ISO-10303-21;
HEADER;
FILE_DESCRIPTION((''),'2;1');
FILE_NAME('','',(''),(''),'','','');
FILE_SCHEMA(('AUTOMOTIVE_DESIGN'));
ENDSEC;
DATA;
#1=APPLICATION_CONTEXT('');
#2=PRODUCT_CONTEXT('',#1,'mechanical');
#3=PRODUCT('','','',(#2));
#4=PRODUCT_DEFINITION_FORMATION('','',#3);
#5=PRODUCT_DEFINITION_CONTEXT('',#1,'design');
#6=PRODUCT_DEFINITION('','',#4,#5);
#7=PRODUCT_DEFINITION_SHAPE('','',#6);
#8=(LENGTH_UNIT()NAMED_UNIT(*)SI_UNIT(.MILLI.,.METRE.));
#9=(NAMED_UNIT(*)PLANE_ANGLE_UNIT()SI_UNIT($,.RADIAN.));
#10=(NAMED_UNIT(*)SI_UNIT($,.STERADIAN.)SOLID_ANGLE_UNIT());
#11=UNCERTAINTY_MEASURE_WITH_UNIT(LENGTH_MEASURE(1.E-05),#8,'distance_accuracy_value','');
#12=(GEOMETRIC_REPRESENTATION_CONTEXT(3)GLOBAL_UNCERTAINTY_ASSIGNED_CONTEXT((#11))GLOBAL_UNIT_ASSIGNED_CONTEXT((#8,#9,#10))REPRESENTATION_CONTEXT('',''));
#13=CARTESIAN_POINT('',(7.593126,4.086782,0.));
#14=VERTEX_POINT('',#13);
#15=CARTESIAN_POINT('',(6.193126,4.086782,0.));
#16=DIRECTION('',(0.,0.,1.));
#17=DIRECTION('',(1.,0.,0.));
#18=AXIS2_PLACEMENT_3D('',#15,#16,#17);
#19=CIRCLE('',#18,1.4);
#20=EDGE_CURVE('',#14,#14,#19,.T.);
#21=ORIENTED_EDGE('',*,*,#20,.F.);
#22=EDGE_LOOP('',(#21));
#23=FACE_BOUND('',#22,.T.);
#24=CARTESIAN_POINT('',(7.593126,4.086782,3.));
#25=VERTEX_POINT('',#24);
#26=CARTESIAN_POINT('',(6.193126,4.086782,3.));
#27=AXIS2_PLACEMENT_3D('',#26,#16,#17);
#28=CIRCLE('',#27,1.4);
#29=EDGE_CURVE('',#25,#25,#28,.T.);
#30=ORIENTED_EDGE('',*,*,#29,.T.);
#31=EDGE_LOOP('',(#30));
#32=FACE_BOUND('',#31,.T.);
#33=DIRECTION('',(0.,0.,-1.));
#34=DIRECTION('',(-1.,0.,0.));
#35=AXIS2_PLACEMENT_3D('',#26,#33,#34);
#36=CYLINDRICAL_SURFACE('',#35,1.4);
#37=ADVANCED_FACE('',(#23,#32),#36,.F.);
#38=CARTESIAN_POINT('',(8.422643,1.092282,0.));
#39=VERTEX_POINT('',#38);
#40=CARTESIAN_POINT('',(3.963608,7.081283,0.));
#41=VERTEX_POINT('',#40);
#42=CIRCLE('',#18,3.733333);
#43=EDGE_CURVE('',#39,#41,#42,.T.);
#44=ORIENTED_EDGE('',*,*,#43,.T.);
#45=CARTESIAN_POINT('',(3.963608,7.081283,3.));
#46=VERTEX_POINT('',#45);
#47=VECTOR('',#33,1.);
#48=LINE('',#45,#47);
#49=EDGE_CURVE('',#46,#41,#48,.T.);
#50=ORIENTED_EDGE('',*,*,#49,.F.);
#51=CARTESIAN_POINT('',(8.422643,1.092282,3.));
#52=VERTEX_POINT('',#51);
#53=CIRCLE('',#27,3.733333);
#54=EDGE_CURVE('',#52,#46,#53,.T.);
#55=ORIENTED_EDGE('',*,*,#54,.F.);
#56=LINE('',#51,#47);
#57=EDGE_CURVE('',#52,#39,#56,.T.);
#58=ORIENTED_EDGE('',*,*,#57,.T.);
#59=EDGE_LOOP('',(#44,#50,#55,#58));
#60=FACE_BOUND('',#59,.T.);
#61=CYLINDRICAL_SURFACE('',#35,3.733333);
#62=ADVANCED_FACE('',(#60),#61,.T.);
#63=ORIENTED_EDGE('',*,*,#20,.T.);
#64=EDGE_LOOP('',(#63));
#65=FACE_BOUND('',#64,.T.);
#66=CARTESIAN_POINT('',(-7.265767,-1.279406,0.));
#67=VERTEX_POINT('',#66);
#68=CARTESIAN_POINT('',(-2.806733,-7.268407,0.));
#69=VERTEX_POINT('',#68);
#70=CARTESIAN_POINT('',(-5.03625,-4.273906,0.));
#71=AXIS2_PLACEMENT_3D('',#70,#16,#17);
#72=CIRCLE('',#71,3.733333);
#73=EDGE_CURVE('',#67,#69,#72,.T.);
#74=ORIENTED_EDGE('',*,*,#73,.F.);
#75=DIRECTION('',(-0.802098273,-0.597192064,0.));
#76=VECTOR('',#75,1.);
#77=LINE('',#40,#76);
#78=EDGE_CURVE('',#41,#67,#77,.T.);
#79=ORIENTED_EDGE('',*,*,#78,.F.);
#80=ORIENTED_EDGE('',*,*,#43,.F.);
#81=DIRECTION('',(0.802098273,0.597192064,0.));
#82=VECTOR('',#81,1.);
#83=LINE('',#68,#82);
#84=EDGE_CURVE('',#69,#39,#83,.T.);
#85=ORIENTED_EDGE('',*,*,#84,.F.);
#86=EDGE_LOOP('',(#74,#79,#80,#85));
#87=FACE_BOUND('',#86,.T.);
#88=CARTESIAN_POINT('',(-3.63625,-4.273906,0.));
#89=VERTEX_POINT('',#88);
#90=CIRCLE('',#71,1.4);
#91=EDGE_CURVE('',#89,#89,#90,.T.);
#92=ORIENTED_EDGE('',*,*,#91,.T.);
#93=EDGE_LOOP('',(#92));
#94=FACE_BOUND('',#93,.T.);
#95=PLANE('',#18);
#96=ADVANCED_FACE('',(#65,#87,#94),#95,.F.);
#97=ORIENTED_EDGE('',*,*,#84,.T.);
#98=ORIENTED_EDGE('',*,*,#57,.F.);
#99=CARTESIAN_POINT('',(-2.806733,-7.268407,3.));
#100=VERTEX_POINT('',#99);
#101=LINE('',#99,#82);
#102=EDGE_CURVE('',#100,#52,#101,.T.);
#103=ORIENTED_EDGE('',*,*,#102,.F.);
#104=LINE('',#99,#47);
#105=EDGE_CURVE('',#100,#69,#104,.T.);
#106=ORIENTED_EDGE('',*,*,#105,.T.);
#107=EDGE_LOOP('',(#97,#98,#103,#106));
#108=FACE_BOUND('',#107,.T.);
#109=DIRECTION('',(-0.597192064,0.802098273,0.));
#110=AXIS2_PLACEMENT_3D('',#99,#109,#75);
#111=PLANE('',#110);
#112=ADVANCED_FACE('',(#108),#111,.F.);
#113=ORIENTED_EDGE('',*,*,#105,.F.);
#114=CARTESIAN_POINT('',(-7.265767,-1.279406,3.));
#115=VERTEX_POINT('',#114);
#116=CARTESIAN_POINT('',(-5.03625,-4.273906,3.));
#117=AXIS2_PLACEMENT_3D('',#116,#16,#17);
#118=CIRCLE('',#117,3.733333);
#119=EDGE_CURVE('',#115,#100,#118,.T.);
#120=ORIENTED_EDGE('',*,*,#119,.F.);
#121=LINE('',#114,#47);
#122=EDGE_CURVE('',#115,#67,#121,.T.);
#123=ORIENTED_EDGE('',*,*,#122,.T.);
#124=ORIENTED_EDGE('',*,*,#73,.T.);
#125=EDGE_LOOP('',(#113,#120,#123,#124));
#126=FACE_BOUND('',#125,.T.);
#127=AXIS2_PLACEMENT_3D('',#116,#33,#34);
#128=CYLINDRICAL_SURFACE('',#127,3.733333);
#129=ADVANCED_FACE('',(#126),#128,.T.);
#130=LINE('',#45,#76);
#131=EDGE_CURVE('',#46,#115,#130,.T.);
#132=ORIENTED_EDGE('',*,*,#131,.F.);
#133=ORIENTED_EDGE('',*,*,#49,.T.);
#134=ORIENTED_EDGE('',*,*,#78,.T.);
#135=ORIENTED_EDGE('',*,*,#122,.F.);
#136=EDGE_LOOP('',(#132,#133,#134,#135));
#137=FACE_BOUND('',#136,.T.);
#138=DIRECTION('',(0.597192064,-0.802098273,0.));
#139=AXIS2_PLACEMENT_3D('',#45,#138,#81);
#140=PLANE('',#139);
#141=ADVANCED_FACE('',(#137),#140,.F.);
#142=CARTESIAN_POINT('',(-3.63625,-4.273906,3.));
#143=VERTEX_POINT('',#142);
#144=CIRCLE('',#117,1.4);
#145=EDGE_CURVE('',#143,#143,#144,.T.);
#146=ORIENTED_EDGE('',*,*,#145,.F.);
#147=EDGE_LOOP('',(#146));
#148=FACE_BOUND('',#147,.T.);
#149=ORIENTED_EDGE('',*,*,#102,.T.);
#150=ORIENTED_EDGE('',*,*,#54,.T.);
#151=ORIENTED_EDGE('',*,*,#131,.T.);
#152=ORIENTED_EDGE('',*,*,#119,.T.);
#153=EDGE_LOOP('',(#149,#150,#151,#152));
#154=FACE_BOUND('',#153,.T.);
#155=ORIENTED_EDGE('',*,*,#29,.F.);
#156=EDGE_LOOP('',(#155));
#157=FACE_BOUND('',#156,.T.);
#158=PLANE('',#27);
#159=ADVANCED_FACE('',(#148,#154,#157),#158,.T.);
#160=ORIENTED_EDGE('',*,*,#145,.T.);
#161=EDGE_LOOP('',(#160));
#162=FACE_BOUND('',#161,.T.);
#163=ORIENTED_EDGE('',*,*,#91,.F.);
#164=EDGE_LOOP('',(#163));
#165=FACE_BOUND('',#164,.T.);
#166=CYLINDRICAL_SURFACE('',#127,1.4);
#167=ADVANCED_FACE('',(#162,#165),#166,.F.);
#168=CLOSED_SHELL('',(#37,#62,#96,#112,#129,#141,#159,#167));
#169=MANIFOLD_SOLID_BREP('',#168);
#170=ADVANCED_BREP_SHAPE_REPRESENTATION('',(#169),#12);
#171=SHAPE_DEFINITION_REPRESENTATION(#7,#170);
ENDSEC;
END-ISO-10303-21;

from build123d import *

# Parameters (mm, degrees)
SKETCH1_R           = 1.4
BOSS_EXTRUDE1_DEPTH = 3


with BuildPart() as part:
    # Sketch1 → Boss-Extrude1 (new body)
    with BuildSketch(Plane.XY):
        with BuildLine():
            Line((3.963608483, 7.081282642), (-7.265767332, -1.279406253))
            ThreePointArc((-7.265767332, -1.279406253), (-8.030750511, -6.503423509), (-2.806733255, -7.268406688))
            Line((-2.806733255, -7.268406688), (8.42264256, 1.092282207))
            ThreePointArc((8.42264256, 1.092282207), (9.187625739, 6.316299463), (3.963608483, 7.081282642))
        make_face()
        with Locations((6.193125522, 4.086782424)):
            Circle(SKETCH1_R, mode=Mode.SUBTRACT)
        with Locations((-5.036250293, -4.273906471)):
            Circle(SKETCH1_R, mode=Mode.SUBTRACT)
    extrude(amount=BOSS_EXTRUDE1_DEPTH)


solid = part.part
